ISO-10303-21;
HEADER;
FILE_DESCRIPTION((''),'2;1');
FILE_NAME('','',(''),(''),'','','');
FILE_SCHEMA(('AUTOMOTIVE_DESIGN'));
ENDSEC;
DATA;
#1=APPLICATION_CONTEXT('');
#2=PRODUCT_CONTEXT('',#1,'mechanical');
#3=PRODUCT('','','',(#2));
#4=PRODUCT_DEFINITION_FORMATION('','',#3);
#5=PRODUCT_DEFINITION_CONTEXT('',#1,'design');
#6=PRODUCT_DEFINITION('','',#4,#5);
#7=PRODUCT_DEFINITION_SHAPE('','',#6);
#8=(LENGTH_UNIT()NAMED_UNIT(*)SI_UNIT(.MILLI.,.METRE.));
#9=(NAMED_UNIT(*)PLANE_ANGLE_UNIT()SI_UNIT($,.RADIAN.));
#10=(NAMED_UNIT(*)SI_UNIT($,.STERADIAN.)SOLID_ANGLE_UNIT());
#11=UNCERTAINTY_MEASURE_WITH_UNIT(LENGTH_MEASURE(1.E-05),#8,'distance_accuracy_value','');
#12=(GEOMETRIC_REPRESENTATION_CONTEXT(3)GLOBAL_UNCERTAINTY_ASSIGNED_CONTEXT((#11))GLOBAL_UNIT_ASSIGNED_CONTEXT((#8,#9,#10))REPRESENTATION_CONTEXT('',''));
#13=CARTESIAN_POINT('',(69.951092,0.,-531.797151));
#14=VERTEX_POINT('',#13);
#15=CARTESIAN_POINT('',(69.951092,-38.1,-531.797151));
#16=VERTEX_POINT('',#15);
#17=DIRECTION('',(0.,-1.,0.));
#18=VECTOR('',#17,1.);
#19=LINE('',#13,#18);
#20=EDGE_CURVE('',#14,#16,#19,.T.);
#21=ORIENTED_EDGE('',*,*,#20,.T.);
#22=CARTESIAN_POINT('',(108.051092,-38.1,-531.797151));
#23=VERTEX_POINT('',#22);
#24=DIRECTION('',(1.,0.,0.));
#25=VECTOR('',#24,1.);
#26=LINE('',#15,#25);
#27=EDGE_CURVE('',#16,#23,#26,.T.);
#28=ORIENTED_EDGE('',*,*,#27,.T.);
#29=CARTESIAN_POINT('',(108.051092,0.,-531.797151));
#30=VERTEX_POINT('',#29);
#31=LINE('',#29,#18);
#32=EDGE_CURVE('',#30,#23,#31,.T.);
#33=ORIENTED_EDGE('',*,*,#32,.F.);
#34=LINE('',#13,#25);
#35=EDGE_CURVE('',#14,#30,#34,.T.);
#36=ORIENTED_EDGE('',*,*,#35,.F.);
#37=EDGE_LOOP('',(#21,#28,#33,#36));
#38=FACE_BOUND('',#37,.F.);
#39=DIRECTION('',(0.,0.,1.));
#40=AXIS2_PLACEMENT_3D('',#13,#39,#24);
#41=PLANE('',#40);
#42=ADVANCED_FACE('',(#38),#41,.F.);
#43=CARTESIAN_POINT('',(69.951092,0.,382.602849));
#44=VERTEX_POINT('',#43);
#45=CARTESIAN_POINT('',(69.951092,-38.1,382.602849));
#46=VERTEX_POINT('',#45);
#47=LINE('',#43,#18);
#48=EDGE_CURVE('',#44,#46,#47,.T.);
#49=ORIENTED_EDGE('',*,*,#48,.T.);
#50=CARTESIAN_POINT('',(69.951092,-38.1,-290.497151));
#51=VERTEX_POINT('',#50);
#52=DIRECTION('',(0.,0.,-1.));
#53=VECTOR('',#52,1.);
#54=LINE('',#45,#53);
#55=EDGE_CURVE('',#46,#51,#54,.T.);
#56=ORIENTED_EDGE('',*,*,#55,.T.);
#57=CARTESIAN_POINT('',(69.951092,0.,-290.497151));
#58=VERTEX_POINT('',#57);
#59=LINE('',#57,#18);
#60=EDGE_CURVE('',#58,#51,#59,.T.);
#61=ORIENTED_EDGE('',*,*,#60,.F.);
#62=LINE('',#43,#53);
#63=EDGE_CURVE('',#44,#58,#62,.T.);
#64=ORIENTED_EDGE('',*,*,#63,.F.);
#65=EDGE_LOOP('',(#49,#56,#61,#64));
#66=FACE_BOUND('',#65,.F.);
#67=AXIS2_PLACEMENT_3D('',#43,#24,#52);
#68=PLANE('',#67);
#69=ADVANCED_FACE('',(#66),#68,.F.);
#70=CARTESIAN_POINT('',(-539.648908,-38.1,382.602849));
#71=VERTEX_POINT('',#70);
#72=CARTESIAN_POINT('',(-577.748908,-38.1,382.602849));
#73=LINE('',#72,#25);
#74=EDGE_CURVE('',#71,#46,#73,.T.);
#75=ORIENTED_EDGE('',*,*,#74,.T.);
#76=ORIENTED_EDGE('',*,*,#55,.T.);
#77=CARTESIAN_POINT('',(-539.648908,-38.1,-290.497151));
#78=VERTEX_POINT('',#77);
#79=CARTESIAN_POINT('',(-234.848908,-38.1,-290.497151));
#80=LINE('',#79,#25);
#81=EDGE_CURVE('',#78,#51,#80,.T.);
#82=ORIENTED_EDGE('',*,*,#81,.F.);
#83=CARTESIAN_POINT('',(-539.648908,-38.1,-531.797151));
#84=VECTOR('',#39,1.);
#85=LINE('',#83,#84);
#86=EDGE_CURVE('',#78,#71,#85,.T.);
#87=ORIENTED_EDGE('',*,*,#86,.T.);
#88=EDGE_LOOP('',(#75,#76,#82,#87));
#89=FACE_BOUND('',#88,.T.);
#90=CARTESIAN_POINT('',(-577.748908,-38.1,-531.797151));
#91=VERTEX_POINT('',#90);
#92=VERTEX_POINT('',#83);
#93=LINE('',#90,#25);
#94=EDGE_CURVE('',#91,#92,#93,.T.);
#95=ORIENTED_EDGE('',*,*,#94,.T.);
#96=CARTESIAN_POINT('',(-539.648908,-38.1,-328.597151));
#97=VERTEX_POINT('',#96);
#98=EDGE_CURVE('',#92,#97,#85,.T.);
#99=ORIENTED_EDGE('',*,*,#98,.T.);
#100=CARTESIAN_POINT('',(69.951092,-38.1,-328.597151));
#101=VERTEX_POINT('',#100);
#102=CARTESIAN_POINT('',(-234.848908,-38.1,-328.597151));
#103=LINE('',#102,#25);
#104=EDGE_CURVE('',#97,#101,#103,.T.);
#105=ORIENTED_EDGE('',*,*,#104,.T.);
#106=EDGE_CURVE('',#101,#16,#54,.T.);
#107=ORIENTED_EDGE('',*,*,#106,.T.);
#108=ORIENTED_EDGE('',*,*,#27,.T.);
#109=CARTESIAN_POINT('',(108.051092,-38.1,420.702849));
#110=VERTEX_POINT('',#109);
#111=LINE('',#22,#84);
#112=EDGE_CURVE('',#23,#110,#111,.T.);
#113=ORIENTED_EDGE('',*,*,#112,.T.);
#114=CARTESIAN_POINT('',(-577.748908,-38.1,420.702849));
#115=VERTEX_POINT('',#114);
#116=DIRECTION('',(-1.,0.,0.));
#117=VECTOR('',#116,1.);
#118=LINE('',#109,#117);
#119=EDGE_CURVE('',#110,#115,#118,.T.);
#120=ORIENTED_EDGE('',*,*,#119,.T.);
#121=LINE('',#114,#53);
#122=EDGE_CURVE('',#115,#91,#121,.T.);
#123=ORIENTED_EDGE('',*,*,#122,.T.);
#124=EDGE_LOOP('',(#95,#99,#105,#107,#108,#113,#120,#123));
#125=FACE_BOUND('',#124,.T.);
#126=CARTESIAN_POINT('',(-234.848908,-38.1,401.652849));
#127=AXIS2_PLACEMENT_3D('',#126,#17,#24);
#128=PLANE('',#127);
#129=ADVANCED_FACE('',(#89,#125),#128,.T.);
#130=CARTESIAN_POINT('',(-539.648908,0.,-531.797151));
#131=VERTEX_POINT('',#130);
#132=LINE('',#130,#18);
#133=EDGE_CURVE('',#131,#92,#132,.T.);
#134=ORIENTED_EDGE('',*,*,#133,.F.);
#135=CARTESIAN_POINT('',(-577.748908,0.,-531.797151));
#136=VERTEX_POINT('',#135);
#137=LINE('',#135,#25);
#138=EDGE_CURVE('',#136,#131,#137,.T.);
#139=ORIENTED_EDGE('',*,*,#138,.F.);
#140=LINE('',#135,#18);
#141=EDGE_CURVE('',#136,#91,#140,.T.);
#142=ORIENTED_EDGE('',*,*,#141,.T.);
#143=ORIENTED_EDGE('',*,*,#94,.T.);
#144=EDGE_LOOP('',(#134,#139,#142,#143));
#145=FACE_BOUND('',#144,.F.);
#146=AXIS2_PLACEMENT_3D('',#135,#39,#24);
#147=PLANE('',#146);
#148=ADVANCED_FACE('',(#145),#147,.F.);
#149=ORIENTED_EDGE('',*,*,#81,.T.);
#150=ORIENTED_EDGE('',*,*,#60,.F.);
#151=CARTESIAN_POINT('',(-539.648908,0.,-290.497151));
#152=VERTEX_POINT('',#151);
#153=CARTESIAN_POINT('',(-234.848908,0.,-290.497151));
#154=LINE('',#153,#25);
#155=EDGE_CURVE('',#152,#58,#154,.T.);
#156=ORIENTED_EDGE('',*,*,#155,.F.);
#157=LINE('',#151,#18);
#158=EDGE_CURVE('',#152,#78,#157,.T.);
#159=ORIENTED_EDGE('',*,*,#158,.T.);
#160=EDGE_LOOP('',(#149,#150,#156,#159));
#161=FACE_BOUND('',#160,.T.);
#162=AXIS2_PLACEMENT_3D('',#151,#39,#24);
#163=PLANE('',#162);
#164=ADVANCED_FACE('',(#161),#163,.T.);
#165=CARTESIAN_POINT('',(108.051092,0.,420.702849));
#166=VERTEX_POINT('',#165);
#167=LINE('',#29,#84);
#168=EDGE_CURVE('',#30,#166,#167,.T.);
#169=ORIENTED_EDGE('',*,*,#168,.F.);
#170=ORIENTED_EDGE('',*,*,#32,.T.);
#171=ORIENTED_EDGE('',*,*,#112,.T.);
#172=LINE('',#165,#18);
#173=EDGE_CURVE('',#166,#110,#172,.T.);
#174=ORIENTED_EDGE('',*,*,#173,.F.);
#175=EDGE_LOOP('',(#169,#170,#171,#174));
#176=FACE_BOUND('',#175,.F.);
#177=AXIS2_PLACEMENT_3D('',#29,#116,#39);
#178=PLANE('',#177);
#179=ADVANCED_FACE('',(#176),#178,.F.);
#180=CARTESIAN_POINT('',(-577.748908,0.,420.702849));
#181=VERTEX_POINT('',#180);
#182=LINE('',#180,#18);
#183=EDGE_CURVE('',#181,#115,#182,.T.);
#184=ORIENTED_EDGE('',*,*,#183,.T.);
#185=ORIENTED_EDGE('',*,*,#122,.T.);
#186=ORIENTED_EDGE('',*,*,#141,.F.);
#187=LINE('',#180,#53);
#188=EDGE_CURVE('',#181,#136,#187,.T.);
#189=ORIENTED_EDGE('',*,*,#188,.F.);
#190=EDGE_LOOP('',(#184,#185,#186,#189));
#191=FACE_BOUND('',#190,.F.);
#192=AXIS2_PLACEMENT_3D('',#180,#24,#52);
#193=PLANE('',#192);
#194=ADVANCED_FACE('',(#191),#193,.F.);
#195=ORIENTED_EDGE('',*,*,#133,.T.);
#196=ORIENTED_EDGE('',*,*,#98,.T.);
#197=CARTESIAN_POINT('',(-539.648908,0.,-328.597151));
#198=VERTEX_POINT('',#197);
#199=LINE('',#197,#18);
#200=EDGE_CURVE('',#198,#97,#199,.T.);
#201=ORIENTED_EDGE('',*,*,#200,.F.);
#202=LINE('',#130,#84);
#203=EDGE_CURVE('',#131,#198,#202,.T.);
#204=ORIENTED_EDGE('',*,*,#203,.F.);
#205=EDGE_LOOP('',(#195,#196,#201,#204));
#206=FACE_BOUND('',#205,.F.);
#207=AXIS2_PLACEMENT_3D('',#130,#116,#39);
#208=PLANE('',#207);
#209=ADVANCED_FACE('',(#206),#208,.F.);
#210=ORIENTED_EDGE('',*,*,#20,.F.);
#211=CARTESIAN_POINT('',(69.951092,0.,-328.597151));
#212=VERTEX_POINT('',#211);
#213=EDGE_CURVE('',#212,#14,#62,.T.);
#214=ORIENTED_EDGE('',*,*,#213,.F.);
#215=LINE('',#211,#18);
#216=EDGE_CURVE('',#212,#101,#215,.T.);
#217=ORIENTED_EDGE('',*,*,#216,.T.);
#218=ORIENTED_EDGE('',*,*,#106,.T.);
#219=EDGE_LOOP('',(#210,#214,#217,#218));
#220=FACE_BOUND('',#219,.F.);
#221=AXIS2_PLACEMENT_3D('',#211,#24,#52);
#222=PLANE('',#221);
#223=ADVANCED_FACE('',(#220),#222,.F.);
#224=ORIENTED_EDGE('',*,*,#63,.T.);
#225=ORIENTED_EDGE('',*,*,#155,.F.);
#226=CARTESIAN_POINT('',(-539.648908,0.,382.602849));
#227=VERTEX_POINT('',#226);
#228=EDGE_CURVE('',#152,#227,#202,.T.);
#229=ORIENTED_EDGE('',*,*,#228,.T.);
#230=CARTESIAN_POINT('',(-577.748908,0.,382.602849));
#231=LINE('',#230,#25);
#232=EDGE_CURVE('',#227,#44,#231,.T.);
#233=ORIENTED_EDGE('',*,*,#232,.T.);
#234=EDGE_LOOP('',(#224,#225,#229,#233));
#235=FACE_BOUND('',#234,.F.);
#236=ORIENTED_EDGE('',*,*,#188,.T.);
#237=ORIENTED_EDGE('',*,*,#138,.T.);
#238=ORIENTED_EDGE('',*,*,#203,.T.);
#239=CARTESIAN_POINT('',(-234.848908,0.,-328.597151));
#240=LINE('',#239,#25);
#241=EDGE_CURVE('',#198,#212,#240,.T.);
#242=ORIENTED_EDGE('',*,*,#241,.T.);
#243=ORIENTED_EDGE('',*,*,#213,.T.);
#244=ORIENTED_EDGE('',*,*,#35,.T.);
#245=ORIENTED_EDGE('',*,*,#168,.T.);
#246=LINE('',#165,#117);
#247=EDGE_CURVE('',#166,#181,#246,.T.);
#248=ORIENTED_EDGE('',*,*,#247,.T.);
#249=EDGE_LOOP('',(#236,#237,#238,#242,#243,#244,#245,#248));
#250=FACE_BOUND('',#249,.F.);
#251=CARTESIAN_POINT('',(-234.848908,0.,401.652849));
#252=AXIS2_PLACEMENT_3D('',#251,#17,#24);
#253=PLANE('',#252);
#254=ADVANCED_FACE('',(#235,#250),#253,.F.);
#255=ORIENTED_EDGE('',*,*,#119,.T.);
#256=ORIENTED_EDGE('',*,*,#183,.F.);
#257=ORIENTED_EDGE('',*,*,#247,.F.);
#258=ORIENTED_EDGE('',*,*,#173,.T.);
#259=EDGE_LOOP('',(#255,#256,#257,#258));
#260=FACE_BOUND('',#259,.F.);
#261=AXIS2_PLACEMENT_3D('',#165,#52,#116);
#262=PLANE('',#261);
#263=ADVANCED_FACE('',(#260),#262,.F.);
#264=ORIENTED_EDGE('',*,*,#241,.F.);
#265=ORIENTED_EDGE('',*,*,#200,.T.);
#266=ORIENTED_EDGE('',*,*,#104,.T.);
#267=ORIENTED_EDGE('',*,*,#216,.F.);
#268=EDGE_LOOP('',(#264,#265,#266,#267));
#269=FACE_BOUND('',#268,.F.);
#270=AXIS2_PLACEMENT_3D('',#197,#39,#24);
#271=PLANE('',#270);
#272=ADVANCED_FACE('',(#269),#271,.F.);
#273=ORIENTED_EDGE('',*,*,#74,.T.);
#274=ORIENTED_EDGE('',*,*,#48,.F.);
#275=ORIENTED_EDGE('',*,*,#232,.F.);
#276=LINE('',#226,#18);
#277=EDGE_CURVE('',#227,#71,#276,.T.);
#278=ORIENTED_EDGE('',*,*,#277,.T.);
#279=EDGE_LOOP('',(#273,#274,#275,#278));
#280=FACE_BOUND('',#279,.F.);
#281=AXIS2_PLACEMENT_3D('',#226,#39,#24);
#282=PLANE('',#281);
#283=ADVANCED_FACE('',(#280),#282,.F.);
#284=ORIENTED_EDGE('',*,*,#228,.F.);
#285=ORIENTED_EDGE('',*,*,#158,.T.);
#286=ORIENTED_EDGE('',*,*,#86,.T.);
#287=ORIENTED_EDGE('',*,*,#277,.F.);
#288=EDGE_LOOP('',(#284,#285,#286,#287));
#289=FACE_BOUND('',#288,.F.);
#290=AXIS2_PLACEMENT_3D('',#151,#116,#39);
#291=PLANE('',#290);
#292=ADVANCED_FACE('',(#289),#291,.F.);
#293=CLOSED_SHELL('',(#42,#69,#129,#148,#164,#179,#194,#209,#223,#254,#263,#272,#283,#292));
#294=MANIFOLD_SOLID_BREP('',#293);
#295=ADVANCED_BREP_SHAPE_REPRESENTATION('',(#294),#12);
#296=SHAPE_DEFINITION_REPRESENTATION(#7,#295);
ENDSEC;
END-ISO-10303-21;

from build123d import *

# Parameters (mm, degrees)
F0_W     = 609.6
F0_H     = 38.1
F1_DEPTH = 38.1


with BuildPart() as f1:
    # F0 (on Front) → F1 (new body)
    with BuildSketch(Plane.XZ):
        Polygon((-577.748908, 420.702849), (-577.748908, 382.602849), (-539.648908, 382.602849), (69.951092, 382.602849), (108.051092, 382.602849), (108.051092, 420.702849), align=None)
        Polygon((-577.748908, 382.602849), (-577.748908, -531.797151), (-539.648908, -531.797151), (-539.648908, -328.597151), (-539.648908, -290.497151), (-539.648908, 382.602849), align=None)
        Polygon((69.951092, -290.497151), (69.951092, -328.597151), (69.951092, -531.797151), (108.051092, -531.797151), (108.051092, 382.602849), (69.951092, 382.602849), align=None)
        with Locations((-234.848908, -309.547151)):
            Rectangle(F0_W, F0_H)
    extrude(amount=F1_DEPTH)


solid = f1.part
